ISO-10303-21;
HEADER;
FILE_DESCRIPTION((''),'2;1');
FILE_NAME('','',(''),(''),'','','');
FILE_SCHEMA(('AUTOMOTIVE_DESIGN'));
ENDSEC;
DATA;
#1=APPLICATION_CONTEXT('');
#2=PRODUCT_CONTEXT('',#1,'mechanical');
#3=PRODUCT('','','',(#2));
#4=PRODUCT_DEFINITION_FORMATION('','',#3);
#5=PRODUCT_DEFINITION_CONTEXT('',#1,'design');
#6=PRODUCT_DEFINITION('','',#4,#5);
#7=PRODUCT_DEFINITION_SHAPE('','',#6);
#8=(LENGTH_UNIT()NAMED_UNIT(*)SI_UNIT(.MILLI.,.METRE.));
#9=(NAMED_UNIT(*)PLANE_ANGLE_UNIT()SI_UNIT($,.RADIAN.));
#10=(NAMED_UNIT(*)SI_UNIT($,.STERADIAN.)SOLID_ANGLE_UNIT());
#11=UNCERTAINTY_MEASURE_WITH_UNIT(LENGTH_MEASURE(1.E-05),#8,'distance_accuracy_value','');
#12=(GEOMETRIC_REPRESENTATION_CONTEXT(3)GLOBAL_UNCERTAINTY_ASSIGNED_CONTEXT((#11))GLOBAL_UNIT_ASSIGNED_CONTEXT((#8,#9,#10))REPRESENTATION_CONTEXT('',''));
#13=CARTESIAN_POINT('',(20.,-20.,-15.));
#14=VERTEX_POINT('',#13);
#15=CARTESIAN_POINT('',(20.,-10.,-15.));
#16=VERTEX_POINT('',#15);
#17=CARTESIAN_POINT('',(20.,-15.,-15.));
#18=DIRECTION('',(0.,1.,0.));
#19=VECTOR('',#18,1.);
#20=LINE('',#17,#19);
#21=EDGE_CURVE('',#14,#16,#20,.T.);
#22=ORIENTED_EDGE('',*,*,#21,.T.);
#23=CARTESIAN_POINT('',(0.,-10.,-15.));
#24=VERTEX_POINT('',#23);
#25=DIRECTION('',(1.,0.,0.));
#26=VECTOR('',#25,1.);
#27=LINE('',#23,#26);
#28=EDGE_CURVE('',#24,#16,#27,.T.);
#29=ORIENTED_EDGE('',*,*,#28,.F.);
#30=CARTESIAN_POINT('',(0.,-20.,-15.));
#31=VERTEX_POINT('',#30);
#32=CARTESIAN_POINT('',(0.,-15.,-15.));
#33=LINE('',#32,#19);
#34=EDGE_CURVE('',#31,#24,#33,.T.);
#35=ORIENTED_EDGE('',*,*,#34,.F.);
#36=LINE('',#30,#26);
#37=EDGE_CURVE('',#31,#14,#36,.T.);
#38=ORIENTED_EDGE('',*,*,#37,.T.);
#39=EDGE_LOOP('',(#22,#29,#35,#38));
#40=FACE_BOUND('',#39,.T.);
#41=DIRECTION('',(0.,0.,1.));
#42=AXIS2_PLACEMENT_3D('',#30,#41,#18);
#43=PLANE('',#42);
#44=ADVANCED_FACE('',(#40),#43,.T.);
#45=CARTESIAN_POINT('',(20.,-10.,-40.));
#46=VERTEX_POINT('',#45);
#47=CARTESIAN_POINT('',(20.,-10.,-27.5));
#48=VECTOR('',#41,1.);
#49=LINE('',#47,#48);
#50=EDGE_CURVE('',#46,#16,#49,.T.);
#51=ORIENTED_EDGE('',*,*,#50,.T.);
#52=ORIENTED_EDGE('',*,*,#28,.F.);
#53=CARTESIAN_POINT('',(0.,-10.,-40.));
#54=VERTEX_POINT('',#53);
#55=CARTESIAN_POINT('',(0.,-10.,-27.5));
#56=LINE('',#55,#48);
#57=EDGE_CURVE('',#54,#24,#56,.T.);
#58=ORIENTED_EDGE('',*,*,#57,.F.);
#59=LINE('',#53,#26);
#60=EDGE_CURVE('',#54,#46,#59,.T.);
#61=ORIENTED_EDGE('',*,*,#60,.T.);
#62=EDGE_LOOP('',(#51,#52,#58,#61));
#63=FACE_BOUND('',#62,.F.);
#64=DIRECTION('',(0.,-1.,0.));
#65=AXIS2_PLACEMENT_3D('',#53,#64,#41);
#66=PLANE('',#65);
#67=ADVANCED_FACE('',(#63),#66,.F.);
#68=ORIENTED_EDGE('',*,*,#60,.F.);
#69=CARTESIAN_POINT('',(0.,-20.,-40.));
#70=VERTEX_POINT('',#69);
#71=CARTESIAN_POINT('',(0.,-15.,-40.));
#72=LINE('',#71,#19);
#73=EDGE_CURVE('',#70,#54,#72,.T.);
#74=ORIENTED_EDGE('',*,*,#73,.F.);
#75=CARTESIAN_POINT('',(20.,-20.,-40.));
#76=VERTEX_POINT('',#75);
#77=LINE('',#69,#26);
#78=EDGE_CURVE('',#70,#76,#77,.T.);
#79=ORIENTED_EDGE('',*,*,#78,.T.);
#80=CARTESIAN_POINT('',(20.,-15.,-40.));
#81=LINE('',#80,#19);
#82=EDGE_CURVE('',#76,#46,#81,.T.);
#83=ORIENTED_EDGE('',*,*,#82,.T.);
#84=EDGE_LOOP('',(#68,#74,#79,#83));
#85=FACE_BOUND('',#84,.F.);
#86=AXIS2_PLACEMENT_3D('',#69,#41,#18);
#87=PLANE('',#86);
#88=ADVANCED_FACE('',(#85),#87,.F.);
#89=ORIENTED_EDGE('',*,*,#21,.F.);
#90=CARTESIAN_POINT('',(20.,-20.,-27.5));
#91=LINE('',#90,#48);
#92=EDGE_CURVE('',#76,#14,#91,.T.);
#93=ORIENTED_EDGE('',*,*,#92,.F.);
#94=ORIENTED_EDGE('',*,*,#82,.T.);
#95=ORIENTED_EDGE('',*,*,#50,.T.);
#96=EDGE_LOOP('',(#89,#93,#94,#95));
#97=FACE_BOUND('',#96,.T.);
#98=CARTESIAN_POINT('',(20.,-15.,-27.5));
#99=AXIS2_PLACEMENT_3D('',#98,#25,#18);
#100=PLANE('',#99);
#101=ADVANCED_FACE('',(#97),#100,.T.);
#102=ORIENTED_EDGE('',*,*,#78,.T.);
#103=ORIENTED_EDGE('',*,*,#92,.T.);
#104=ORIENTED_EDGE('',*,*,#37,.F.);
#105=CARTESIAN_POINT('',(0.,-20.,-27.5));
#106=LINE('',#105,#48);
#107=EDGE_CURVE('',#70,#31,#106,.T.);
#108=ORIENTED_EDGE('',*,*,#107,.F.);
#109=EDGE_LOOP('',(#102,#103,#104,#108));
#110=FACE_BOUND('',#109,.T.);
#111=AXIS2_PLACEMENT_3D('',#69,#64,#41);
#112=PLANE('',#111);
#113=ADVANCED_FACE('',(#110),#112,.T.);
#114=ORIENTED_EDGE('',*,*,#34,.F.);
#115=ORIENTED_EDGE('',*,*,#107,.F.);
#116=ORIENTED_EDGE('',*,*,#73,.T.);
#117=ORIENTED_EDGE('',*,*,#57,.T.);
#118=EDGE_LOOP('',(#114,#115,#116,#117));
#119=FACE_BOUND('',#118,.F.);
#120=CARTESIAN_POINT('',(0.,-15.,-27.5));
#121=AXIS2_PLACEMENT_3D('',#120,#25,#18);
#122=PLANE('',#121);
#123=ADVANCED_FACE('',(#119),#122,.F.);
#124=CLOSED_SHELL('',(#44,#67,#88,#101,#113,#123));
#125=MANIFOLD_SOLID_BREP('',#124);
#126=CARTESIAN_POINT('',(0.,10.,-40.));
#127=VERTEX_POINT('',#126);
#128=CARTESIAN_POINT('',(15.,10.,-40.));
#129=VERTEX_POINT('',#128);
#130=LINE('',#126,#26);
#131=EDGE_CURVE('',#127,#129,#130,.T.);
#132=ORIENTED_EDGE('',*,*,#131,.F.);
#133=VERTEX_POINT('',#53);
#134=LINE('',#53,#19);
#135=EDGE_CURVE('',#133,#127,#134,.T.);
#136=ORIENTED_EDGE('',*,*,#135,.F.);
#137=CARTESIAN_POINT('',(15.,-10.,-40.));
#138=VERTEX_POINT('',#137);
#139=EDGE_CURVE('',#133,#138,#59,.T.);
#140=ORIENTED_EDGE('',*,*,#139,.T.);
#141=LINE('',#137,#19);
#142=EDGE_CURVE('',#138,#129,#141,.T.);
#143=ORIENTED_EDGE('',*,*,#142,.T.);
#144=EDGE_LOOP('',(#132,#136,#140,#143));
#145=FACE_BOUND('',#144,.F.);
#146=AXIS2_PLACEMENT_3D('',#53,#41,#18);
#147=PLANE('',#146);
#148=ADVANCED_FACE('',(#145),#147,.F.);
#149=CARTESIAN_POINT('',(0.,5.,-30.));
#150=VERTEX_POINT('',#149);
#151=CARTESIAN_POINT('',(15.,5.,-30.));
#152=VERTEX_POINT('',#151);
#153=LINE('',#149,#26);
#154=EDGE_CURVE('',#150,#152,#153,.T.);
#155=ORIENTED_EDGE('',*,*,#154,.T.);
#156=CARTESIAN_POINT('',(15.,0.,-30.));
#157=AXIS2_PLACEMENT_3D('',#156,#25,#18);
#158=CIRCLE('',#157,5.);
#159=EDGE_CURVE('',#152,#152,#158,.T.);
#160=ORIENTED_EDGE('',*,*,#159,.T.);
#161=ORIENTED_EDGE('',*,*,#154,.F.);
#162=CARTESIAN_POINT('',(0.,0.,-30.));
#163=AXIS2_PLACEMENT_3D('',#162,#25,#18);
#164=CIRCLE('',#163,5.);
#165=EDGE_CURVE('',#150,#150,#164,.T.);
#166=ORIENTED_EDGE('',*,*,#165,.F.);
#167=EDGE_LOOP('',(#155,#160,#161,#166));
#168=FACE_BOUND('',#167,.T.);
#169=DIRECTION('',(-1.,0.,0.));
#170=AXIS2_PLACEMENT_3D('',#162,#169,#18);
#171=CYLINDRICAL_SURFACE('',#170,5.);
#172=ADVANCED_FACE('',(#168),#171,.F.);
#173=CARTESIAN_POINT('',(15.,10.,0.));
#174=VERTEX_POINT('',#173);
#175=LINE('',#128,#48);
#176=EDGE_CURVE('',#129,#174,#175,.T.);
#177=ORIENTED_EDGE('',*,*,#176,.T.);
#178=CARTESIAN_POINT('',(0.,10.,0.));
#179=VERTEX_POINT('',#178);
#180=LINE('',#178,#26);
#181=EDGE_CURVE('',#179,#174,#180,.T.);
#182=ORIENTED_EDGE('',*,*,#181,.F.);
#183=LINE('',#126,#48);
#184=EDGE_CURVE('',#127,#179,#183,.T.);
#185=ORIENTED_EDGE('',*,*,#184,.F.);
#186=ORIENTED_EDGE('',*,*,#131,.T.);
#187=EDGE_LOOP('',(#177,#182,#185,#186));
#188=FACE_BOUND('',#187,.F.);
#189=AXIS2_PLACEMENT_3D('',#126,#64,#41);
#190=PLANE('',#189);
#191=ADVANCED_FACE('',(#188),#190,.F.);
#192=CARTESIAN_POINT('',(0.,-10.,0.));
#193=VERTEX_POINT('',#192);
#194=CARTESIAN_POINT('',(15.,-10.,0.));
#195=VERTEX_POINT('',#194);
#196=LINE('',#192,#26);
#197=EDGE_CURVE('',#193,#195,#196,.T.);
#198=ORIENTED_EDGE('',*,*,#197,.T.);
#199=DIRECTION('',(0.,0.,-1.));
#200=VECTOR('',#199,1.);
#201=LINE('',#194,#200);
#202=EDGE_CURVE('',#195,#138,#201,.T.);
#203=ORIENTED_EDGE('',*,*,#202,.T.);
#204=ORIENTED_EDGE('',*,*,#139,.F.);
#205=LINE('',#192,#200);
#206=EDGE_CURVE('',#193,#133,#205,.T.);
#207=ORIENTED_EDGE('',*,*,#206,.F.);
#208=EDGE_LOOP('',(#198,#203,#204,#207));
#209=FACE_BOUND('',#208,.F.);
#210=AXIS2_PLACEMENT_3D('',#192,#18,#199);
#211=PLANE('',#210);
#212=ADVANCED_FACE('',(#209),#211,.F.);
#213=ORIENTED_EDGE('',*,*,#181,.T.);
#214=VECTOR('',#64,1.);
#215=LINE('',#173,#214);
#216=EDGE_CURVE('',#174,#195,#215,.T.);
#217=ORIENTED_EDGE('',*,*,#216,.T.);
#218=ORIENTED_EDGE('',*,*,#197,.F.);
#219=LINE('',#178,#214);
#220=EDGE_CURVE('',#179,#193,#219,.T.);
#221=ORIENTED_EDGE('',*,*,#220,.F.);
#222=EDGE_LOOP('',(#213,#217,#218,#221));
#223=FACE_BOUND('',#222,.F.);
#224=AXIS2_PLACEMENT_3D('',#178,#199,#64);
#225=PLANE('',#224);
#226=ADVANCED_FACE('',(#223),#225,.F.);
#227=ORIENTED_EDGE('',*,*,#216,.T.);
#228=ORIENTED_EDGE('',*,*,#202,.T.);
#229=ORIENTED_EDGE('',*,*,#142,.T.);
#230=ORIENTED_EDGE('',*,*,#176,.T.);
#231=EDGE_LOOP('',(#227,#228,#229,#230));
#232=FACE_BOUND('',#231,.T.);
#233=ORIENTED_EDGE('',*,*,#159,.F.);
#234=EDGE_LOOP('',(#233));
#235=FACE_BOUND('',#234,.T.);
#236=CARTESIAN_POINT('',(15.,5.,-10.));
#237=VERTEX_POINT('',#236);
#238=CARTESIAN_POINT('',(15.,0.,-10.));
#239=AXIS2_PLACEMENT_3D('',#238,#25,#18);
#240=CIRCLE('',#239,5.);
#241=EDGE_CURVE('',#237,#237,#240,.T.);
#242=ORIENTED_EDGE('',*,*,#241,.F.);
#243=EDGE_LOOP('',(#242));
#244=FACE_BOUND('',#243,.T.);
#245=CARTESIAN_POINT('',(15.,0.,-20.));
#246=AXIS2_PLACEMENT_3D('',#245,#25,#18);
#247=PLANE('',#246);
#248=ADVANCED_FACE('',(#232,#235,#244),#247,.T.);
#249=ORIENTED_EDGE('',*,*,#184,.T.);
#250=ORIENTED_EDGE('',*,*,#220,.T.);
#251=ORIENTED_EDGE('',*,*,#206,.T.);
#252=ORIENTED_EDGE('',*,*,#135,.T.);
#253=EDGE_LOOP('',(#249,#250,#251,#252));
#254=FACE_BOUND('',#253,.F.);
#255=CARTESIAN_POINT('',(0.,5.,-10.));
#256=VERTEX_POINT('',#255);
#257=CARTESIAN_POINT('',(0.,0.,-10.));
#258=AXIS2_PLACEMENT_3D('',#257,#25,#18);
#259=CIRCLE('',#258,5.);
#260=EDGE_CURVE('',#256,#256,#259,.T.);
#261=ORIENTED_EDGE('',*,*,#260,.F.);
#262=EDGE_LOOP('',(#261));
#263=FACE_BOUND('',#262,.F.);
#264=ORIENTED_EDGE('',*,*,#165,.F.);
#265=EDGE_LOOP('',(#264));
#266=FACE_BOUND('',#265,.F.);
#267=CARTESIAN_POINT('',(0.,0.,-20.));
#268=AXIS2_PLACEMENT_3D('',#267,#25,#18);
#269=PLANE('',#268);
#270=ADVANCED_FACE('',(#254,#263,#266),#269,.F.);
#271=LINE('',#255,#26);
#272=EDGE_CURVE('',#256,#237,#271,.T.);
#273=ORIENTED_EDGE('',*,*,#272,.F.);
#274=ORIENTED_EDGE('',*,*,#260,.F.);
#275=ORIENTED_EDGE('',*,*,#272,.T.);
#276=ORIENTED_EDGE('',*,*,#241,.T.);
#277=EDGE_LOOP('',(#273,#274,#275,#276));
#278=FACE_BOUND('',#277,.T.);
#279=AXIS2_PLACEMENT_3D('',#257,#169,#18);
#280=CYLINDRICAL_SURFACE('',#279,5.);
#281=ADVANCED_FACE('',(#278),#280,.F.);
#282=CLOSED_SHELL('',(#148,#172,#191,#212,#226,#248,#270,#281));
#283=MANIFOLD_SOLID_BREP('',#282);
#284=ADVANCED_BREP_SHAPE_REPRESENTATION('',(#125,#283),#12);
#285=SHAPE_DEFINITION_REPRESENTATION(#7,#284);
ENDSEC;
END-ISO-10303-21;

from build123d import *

# Parameters (mm, degrees)
F0_R     = 5
F1_DEPTH = 15
F0_W     = 10
F0_H     = 25
F2_DEPTH = 20


with BuildPart() as f1:
    # F0 (on Right) → F1 (new body)
    with BuildSketch(Plane.YZ):
        Polygon((10, 0), (-10, 0), (-10, -15), (-10, -40), (10, -40), align=None)
        with Locations((0, -30)):
            Circle(F0_R, mode=Mode.SUBTRACT)
        with Locations((0, -10)):
            Circle(F0_R, mode=Mode.SUBTRACT)
    extrude(amount=F1_DEPTH)


with BuildPart() as f2:
    # F0 (on Right) → F2 (new body)
    with BuildSketch(Plane.YZ):
        with Locations((-15, -27.5)):
            Rectangle(F0_W, F0_H)
    extrude(amount=F2_DEPTH)


solid = Compound([f1.part, f2.part])
